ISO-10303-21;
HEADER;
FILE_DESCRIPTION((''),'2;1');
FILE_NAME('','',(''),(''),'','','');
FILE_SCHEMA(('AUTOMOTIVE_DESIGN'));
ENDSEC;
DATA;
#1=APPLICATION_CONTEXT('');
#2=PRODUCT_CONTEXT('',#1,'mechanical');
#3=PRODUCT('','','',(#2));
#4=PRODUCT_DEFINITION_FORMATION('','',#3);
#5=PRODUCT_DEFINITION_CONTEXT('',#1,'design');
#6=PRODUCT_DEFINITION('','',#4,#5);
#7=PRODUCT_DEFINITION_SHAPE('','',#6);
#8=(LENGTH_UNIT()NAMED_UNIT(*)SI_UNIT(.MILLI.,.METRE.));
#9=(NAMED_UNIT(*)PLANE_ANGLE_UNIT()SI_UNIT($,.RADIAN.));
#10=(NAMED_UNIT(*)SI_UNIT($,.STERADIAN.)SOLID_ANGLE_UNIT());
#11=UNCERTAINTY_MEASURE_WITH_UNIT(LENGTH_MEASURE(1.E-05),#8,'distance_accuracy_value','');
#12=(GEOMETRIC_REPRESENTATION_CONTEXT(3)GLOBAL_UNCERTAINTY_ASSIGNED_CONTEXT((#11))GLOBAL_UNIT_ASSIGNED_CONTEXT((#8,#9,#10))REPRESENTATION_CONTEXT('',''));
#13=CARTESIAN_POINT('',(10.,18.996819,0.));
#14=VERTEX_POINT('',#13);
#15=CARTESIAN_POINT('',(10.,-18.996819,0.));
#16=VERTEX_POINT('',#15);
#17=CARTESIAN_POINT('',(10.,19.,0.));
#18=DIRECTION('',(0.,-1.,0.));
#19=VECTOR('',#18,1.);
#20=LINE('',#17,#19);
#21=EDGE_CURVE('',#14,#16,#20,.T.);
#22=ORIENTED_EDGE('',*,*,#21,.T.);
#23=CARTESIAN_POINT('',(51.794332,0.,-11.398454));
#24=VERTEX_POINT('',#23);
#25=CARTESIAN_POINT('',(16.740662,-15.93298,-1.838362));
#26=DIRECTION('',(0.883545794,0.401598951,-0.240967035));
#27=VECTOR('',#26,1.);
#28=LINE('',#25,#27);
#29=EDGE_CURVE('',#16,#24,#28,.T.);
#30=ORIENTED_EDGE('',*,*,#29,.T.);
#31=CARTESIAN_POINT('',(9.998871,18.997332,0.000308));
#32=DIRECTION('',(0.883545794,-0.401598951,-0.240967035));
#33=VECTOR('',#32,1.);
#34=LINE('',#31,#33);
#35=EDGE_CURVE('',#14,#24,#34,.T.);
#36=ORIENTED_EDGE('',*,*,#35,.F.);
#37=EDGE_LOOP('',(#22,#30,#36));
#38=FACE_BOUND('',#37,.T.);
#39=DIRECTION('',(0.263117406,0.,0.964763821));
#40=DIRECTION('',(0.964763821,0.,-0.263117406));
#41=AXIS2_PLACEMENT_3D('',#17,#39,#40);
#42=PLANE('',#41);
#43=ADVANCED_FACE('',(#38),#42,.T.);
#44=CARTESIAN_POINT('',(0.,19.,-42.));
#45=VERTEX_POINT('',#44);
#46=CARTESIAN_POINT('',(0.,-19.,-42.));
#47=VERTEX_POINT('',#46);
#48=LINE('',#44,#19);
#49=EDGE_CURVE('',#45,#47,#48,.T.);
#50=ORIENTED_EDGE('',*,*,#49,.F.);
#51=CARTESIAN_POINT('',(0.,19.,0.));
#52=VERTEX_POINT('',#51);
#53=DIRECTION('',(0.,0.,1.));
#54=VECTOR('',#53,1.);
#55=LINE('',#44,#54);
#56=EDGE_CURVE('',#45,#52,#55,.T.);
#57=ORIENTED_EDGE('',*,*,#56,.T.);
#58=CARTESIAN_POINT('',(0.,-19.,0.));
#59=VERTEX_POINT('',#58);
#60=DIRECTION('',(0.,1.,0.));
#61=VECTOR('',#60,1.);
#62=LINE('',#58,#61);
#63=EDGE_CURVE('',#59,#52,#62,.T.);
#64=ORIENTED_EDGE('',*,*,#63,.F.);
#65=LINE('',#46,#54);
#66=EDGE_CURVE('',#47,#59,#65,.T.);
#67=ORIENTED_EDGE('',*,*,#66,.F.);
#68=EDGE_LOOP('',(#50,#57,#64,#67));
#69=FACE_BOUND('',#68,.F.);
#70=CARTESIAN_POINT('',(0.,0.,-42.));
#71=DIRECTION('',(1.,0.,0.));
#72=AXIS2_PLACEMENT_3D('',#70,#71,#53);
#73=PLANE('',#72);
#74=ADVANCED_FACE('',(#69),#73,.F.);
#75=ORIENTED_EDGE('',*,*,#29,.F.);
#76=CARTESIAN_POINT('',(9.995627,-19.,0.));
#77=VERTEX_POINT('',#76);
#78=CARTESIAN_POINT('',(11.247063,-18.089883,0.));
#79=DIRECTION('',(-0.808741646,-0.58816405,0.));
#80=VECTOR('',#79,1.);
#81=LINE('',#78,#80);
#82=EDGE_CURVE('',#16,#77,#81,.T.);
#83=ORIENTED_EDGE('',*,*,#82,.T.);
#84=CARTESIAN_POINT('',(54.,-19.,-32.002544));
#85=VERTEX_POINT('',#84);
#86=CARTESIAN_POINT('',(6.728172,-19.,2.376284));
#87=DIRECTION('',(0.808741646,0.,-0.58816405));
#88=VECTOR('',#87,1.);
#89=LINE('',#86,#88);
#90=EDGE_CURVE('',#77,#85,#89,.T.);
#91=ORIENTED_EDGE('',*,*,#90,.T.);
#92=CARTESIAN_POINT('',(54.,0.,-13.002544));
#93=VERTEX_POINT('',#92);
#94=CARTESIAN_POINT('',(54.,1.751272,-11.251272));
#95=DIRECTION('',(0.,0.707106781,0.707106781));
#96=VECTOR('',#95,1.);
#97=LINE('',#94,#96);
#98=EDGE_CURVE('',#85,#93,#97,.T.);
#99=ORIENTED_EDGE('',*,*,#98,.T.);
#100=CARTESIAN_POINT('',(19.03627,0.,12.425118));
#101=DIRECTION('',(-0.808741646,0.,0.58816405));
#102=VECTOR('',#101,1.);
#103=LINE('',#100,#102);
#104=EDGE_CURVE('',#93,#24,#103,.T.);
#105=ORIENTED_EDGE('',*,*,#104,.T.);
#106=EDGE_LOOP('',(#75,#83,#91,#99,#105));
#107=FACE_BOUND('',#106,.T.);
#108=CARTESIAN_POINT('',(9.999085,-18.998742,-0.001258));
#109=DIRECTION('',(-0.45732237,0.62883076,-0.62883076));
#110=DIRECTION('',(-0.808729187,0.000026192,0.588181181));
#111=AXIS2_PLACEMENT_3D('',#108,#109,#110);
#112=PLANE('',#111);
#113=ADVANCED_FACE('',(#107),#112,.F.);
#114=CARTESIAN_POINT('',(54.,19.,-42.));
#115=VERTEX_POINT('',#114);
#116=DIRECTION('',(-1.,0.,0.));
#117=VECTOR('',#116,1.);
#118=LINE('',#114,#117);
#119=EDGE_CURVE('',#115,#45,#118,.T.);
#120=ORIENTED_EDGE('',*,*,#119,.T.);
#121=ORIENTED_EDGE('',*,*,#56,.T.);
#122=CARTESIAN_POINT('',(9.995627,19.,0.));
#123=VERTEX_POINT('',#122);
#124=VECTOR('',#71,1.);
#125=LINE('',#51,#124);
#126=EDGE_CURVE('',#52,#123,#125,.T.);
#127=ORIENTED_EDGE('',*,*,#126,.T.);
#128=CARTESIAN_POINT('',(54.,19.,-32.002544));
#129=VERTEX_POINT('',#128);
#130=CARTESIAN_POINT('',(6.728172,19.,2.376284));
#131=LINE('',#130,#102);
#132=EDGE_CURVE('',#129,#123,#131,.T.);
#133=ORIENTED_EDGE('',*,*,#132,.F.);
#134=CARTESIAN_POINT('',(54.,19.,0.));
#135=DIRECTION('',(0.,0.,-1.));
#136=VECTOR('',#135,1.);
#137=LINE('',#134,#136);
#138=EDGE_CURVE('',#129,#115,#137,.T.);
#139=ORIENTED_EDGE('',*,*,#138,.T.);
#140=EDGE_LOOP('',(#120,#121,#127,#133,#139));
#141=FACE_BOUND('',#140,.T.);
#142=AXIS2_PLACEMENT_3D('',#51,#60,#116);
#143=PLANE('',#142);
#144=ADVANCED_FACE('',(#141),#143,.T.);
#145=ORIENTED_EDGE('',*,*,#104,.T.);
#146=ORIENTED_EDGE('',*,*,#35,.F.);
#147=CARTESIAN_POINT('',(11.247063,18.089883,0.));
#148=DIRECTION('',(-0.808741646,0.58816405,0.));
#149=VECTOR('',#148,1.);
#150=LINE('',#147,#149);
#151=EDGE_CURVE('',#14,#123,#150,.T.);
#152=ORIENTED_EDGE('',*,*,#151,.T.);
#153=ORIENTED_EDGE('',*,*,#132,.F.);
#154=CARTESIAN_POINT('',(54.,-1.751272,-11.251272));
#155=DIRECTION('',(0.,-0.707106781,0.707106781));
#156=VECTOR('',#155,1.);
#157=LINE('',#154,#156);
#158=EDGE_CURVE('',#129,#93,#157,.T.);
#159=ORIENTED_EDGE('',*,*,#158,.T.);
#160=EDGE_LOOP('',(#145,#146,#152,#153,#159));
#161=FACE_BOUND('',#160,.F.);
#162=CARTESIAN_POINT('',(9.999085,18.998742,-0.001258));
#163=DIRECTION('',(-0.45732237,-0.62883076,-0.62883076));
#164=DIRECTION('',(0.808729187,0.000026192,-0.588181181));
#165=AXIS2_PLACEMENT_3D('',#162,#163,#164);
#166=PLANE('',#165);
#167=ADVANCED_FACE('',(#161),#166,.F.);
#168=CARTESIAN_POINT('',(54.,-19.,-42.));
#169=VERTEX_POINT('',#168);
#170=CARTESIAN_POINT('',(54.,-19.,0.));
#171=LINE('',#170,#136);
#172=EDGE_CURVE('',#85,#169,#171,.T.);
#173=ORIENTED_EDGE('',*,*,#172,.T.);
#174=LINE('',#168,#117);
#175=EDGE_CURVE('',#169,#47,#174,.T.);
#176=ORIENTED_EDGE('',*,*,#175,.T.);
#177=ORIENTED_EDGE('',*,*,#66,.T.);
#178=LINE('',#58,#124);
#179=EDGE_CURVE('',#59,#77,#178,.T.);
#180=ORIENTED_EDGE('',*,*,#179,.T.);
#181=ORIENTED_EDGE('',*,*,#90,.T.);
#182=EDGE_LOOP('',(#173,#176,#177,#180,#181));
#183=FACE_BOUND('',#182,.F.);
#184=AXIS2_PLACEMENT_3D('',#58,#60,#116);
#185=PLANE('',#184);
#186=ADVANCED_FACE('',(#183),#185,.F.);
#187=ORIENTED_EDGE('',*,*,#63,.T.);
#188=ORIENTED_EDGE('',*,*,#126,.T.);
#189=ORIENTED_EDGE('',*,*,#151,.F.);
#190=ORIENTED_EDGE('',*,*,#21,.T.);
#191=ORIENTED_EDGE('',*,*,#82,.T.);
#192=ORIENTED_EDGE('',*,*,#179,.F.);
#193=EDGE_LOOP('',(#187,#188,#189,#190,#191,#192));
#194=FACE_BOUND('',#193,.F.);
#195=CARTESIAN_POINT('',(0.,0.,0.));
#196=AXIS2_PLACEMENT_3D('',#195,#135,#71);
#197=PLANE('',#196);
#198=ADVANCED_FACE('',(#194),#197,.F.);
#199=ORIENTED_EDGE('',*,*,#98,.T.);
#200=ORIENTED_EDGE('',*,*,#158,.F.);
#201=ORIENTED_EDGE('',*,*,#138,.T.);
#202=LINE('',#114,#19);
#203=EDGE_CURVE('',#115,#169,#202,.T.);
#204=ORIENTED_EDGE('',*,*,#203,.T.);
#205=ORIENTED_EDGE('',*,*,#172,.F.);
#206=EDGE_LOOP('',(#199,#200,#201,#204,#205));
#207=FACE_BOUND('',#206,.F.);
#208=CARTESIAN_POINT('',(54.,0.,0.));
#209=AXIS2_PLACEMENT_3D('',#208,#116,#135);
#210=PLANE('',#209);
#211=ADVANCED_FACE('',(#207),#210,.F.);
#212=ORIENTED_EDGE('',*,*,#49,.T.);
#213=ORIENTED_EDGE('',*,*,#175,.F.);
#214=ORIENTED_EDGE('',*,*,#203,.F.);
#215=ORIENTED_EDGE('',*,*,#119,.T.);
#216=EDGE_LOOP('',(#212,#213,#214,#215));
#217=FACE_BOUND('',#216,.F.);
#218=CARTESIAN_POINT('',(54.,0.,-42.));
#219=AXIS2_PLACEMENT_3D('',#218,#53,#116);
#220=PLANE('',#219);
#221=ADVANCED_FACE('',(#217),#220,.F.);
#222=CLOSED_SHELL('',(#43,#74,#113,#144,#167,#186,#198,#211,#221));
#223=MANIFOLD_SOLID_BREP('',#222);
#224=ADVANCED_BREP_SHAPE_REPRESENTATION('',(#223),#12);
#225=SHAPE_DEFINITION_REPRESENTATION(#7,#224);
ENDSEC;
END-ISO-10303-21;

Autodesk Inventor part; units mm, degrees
ref_plane "YZ Plane" through (0, 0, 0) normal (1, 0, 0) x (0, 1, 0)
ref_plane "XZ Plane" through (0, 0, 0) normal (0, 1, 0) x (-1, 0, 0)
sketch "草圖1" plane through (0, 0, 0) normal (0, 1, 0) x (-1, 0, 0)
  line L0 (0, 0) -> (-54, 0)
  line L1 (-54, 0) -> (-54, -42)
  line L2 (-54, -42) -> (0, -42)
  line L3 (0, -42) -> (0, 0)
  dimension "d0" = 54
  dimension "d1" = 42
extrude "擠出1" add sketch "草圖1" along normal mid plane 38
sketch "草圖2" plane through (0, 19, 0) normal (0, 1, 0) x (1, 0, 0)
  line L0 (0, 0) -> (54, 0) projected
  line L1 (10, 0) -> (54, 12)
  line L2 (54, 0) -> (54, 42) projected
  dimension "d4" = 10
  dimension "d5" = 30
extrude "擠出2" cut sketch "草圖2" against normal blind 40
sketch "草圖3" plane through (54, -19, -42) normal (1, 0, 0) x (0, 0, -1)
  line L0 (-30, 18) -> (-10, 38)
  line L1 (0, 38) -> (-42, 38) projected
  line L2 (-30, 38) -> (-30, 0) projected
  point P0 (-42, 19)
  dimension "d8" = 20
  dimension "d9" = 20
ref_plane "工作平面1" through (10, 19, 0) normal (-0.4573, -0.6288, -0.6288) x (0.8087, 0, -0.5882)
sketch "草圖4" plane through (10, 19, 0) normal (-0.4573, -0.6288, -0.6288) x (0.8087, 0, -0.5882)
  line L0 (-15.1543, -12.3218) -> (93.717, -12.3218)
  line L1 (93.717, -12.3218) -> (93.717, 28.8166)
  line L2 (93.717, 28.8166) -> (-15.1543, 28.8166)
  line L3 (-15.1543, 28.8166) -> (-15.1543, -12.3218)
  point P0 (-8.0874, 11.0748)
extrude "擠出3" cut sketch "草圖4" against normal blind 40
mirror "鏡射1" about plane through (0, 0, 0) normal (0, 1, 0) of "擠出3"
properties part number "37"
